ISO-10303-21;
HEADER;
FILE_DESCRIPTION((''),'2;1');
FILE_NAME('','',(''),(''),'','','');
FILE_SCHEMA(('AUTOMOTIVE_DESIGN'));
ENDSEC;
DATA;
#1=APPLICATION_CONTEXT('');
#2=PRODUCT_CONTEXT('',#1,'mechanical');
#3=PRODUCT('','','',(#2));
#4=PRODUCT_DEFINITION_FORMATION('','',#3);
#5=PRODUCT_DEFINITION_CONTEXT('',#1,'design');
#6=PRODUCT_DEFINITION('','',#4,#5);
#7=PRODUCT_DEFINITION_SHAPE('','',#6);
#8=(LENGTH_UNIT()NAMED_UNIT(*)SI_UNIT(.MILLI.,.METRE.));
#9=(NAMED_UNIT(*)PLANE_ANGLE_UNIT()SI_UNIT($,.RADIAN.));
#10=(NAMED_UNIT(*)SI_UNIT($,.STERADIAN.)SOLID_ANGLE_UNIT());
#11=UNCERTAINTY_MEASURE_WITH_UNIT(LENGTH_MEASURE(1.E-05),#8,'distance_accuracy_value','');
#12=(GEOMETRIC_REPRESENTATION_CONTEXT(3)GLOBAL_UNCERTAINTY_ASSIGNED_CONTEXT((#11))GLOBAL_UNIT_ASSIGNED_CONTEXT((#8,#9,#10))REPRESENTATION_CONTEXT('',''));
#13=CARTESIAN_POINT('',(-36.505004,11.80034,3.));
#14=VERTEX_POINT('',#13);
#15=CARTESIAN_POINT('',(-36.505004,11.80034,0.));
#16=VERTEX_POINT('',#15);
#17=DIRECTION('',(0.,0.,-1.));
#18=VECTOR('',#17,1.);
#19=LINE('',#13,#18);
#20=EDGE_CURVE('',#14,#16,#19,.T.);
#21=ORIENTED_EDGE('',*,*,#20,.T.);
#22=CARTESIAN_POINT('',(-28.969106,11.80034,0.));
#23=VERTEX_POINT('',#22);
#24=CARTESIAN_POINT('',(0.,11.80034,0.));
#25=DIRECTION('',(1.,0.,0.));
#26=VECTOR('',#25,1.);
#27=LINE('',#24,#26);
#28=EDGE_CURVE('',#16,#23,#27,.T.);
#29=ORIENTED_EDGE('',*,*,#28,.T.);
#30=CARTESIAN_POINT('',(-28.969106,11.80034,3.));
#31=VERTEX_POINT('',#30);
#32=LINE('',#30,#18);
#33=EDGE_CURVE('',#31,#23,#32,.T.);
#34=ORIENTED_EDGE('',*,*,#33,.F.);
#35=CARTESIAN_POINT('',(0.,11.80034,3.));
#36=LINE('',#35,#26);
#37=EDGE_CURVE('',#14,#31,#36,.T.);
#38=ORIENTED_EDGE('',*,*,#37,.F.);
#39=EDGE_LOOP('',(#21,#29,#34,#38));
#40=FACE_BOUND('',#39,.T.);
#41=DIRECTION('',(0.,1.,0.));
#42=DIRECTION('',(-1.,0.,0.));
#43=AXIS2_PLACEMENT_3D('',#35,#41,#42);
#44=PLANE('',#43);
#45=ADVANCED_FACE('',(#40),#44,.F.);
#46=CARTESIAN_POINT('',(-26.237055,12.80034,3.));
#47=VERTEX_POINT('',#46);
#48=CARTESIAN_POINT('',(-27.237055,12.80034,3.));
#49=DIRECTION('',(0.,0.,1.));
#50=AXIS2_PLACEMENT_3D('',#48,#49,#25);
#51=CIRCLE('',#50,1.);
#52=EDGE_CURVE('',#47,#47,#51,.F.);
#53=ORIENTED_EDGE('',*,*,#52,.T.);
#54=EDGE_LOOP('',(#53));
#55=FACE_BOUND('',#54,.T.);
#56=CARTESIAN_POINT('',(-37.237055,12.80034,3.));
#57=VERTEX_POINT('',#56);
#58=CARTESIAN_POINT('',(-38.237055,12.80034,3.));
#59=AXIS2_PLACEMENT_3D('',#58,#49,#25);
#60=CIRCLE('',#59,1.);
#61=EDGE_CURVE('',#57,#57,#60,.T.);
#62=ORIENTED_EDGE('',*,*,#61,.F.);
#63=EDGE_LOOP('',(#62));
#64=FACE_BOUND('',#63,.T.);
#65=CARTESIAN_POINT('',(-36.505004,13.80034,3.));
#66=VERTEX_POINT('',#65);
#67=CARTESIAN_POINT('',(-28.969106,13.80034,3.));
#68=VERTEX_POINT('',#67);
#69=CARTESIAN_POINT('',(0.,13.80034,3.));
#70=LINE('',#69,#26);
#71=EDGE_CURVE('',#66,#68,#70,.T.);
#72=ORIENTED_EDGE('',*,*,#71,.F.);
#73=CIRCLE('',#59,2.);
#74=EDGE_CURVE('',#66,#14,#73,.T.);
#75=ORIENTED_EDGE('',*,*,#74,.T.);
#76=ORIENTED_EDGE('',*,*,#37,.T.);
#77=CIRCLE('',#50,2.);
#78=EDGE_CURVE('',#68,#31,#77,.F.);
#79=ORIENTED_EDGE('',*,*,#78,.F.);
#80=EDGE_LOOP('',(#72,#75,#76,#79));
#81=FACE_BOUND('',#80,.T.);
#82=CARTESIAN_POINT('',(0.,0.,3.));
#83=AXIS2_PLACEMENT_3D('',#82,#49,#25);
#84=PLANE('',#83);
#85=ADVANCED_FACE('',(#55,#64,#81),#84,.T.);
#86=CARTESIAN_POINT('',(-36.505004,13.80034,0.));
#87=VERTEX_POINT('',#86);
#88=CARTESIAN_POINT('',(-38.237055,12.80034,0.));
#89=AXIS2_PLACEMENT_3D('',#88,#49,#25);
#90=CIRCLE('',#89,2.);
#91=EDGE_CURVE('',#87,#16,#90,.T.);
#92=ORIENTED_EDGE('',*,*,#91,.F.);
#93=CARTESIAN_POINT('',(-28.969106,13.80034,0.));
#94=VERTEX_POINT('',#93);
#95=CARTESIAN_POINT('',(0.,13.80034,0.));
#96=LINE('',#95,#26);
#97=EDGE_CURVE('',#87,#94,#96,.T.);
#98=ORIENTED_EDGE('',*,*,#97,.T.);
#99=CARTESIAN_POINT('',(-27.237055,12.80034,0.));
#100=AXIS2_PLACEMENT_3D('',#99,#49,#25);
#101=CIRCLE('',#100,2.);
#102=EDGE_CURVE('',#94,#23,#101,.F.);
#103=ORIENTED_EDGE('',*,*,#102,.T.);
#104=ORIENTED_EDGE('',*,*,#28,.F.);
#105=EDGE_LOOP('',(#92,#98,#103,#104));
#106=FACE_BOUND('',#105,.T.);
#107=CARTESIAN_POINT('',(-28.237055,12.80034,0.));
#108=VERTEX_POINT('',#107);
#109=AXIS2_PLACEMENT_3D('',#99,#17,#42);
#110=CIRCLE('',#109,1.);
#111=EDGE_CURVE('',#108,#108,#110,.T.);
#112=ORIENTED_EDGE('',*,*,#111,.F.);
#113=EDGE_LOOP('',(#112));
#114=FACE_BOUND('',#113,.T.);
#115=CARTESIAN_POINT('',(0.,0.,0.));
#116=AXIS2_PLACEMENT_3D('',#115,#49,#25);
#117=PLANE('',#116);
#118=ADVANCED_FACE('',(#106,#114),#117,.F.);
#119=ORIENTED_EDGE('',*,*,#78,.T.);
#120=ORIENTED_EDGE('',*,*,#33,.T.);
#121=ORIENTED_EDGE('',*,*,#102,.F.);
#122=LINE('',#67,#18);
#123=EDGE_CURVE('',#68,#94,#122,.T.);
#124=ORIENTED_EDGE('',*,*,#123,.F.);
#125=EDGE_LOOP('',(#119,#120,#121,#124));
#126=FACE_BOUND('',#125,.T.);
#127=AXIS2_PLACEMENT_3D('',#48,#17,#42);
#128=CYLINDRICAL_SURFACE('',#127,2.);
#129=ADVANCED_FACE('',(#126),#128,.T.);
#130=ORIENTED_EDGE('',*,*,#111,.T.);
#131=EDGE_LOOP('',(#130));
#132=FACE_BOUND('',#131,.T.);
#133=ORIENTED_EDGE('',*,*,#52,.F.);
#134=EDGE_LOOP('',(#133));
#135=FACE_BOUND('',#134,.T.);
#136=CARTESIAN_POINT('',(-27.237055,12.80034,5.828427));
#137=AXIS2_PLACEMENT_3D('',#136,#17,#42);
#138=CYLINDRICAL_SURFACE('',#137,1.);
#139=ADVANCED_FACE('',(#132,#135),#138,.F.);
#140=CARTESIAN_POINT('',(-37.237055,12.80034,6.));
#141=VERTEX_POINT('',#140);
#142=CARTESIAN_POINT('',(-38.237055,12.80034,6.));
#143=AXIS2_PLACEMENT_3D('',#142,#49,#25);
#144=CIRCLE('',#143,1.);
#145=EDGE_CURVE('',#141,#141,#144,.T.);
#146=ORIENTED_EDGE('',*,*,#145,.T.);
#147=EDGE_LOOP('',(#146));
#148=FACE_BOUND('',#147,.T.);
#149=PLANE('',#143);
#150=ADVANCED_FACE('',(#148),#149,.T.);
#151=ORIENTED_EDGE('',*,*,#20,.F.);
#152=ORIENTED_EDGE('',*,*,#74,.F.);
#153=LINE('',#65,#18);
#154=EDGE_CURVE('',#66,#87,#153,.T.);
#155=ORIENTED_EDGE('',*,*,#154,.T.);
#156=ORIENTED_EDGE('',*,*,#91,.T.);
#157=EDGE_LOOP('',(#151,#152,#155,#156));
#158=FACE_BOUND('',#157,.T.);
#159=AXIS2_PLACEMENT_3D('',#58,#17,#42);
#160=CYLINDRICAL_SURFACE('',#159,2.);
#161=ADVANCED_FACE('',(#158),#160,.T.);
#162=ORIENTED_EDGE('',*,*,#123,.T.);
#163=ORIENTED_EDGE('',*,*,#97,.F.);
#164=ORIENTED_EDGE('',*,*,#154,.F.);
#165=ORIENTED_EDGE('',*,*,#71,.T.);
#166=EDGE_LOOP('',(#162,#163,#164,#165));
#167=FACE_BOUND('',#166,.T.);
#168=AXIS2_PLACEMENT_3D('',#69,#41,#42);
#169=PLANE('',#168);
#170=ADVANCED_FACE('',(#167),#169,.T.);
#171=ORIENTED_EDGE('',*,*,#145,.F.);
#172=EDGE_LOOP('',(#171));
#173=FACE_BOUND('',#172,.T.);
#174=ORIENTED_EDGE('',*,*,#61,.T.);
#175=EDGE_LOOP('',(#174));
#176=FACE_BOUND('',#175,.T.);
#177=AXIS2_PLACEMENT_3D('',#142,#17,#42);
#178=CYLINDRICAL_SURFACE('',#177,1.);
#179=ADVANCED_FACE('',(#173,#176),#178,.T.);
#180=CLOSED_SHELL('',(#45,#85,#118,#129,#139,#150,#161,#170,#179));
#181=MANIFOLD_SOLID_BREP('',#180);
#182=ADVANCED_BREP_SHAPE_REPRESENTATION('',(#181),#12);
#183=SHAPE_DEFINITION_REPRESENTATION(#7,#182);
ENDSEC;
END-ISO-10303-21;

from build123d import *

# Parameters (mm, degrees)
BOSS_EXTRUDE1_DEPTH = 3
SKETCH3_R           = 1
BOSS_EXTRUDE2_DEPTH = 3
SKETCH4_R           = 1
CUT_EXTRUDE1_DEPTH  = 3


with BuildPart() as part:
    # Sketch2 → Boss-Extrude1 (new body)
    with BuildSketch(Plane.XY):
        with BuildLine():
            Line((-36.5050045, 13.800340042), (-28.969106115, 13.800340042))
            ThreePointArc((-28.969106115, 13.800340042), (-25.237055307, 12.800340042), (-28.969106115, 11.800340042))
            Line((-28.969106115, 11.800340042), (-36.5050045, 11.800340042))
            ThreePointArc((-36.5050045, 11.800340042), (-40.237055307, 12.800340042), (-36.5050045, 13.800340042))
        make_face()
    extrude(amount=BOSS_EXTRUDE1_DEPTH)

    # Sketch3 → Boss-Extrude2 (add)
    with BuildSketch(Plane.XY.offset(3)):
        with Locations((-38.237055307, 12.800340042)):
            Circle(SKETCH3_R)
    extrude(amount=BOSS_EXTRUDE2_DEPTH)

    # Sketch4 → Cut-Extrude1 (cut)
    with BuildSketch(Plane(origin=(0, 0, 0), x_dir=(-1, 0, 0), z_dir=(0, 0, -1))):
        with Locations((27.237055307, 12.800340042)):
            Circle(SKETCH4_R)
    extrude(amount=-CUT_EXTRUDE1_DEPTH, mode=Mode.SUBTRACT)


solid = part.part
